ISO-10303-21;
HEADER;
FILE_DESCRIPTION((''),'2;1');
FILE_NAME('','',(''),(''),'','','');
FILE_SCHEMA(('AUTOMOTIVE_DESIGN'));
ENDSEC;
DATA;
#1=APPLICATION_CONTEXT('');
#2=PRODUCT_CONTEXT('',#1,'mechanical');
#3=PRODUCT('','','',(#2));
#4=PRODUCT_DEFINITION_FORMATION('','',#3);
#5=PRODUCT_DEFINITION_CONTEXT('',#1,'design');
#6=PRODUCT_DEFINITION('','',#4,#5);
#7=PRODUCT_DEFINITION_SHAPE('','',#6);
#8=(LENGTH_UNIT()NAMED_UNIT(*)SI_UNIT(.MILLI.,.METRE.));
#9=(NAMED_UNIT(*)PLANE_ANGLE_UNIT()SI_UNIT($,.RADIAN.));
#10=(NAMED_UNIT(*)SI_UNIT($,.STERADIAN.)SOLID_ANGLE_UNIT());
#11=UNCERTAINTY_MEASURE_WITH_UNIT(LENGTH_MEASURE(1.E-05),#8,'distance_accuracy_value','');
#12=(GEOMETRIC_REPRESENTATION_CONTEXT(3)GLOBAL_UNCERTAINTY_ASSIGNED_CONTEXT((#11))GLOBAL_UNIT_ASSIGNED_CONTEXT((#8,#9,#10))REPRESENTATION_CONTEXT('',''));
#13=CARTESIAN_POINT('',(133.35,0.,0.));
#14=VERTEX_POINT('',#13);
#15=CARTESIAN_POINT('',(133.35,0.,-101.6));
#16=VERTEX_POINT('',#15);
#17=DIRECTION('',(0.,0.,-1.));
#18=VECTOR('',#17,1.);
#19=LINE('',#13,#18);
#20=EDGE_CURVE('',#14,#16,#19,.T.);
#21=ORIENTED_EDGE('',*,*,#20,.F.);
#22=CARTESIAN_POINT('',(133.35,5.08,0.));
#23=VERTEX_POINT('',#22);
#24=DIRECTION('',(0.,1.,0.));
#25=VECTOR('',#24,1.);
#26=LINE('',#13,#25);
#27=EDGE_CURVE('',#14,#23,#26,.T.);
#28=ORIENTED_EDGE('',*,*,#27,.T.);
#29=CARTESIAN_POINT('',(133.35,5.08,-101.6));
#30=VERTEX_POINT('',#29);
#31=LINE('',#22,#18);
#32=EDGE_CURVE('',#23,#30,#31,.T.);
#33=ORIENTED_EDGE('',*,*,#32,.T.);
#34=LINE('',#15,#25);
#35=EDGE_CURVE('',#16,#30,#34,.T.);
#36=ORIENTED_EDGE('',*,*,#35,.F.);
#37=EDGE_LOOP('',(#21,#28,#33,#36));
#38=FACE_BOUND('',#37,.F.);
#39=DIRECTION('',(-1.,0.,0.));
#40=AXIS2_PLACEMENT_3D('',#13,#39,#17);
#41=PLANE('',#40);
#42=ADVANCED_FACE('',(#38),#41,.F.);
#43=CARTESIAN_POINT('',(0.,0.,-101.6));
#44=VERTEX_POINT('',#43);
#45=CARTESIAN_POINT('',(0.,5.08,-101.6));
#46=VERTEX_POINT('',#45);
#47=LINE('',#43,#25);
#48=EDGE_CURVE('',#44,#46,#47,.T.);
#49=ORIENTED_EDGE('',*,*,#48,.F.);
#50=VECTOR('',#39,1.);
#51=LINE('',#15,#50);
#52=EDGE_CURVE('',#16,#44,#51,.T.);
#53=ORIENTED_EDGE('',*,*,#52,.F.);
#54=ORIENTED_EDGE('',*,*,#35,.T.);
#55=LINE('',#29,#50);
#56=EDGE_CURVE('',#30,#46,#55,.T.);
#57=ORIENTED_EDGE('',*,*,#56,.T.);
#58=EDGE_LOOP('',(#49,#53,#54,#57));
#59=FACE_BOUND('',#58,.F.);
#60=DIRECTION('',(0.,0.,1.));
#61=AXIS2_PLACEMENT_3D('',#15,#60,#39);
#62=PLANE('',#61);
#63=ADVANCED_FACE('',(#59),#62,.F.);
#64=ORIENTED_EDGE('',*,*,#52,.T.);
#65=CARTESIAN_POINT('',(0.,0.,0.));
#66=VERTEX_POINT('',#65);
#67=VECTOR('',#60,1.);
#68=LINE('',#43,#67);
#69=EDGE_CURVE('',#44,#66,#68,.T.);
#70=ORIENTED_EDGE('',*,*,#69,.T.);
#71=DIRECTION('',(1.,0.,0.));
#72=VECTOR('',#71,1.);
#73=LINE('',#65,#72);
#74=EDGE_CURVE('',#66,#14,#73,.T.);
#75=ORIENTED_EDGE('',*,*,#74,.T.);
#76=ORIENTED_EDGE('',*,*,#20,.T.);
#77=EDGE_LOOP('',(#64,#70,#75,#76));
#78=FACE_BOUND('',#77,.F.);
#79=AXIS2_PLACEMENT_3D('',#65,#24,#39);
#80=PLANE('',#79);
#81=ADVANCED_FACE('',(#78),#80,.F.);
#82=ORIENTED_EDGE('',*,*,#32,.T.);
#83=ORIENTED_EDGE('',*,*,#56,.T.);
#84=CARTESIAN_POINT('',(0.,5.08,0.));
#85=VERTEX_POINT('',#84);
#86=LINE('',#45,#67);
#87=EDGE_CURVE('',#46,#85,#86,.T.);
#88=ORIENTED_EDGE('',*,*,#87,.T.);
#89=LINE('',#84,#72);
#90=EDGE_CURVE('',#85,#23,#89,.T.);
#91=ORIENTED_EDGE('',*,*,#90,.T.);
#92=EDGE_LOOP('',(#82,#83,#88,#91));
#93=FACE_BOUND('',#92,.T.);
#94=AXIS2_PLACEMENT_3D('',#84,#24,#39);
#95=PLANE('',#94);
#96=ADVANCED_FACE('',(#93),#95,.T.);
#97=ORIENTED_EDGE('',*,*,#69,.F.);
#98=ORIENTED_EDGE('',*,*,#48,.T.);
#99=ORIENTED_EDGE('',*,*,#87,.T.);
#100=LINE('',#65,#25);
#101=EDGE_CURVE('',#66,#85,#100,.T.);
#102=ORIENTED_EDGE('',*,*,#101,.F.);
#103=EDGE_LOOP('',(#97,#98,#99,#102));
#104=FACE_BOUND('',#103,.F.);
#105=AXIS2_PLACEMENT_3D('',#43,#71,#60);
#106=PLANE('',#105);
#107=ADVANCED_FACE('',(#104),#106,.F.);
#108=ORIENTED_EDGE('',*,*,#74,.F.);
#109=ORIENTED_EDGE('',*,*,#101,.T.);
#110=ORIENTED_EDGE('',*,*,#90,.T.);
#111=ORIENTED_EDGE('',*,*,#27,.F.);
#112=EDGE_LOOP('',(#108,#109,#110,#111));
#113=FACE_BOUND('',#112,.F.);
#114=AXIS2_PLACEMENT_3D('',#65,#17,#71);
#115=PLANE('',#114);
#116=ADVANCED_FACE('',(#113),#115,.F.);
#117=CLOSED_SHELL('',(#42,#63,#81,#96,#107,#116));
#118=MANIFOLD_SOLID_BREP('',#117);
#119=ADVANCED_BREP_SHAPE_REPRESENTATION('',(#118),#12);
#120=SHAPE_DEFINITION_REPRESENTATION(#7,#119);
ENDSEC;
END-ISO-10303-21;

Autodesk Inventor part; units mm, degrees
ref_plane "YZ Plane" through (0, 0, 0) normal (1, 0, 0) x (0, 1, 0)
ref_plane "XZ Plane" through (0, 0, 0) normal (0, 1, 0) x (-1, 0, 0)
ref_plane "XY Plane" through (0, 0, 0) normal (0, 0, 1) x (1, 0, 0)
sketch "Sketch1" plane through (0, 0, 0) normal (0, 1, 0) x (-1, 0, 0)
  line L0 (0, 0) -> (-133.35, 0)
  line L1 (-133.35, 0) -> (-133.35, -101.6)
  line L2 (-133.35, -101.6) -> (0, -101.6)
  line L3 (0, -101.6) -> (0, 0)
  dimension "d0" = 133.35
  dimension "d1" = 101.6
extrude "Extrusion1" add sketch "Sketch1" along normal blind 5.08
properties part number "SecondHalfofTop"
